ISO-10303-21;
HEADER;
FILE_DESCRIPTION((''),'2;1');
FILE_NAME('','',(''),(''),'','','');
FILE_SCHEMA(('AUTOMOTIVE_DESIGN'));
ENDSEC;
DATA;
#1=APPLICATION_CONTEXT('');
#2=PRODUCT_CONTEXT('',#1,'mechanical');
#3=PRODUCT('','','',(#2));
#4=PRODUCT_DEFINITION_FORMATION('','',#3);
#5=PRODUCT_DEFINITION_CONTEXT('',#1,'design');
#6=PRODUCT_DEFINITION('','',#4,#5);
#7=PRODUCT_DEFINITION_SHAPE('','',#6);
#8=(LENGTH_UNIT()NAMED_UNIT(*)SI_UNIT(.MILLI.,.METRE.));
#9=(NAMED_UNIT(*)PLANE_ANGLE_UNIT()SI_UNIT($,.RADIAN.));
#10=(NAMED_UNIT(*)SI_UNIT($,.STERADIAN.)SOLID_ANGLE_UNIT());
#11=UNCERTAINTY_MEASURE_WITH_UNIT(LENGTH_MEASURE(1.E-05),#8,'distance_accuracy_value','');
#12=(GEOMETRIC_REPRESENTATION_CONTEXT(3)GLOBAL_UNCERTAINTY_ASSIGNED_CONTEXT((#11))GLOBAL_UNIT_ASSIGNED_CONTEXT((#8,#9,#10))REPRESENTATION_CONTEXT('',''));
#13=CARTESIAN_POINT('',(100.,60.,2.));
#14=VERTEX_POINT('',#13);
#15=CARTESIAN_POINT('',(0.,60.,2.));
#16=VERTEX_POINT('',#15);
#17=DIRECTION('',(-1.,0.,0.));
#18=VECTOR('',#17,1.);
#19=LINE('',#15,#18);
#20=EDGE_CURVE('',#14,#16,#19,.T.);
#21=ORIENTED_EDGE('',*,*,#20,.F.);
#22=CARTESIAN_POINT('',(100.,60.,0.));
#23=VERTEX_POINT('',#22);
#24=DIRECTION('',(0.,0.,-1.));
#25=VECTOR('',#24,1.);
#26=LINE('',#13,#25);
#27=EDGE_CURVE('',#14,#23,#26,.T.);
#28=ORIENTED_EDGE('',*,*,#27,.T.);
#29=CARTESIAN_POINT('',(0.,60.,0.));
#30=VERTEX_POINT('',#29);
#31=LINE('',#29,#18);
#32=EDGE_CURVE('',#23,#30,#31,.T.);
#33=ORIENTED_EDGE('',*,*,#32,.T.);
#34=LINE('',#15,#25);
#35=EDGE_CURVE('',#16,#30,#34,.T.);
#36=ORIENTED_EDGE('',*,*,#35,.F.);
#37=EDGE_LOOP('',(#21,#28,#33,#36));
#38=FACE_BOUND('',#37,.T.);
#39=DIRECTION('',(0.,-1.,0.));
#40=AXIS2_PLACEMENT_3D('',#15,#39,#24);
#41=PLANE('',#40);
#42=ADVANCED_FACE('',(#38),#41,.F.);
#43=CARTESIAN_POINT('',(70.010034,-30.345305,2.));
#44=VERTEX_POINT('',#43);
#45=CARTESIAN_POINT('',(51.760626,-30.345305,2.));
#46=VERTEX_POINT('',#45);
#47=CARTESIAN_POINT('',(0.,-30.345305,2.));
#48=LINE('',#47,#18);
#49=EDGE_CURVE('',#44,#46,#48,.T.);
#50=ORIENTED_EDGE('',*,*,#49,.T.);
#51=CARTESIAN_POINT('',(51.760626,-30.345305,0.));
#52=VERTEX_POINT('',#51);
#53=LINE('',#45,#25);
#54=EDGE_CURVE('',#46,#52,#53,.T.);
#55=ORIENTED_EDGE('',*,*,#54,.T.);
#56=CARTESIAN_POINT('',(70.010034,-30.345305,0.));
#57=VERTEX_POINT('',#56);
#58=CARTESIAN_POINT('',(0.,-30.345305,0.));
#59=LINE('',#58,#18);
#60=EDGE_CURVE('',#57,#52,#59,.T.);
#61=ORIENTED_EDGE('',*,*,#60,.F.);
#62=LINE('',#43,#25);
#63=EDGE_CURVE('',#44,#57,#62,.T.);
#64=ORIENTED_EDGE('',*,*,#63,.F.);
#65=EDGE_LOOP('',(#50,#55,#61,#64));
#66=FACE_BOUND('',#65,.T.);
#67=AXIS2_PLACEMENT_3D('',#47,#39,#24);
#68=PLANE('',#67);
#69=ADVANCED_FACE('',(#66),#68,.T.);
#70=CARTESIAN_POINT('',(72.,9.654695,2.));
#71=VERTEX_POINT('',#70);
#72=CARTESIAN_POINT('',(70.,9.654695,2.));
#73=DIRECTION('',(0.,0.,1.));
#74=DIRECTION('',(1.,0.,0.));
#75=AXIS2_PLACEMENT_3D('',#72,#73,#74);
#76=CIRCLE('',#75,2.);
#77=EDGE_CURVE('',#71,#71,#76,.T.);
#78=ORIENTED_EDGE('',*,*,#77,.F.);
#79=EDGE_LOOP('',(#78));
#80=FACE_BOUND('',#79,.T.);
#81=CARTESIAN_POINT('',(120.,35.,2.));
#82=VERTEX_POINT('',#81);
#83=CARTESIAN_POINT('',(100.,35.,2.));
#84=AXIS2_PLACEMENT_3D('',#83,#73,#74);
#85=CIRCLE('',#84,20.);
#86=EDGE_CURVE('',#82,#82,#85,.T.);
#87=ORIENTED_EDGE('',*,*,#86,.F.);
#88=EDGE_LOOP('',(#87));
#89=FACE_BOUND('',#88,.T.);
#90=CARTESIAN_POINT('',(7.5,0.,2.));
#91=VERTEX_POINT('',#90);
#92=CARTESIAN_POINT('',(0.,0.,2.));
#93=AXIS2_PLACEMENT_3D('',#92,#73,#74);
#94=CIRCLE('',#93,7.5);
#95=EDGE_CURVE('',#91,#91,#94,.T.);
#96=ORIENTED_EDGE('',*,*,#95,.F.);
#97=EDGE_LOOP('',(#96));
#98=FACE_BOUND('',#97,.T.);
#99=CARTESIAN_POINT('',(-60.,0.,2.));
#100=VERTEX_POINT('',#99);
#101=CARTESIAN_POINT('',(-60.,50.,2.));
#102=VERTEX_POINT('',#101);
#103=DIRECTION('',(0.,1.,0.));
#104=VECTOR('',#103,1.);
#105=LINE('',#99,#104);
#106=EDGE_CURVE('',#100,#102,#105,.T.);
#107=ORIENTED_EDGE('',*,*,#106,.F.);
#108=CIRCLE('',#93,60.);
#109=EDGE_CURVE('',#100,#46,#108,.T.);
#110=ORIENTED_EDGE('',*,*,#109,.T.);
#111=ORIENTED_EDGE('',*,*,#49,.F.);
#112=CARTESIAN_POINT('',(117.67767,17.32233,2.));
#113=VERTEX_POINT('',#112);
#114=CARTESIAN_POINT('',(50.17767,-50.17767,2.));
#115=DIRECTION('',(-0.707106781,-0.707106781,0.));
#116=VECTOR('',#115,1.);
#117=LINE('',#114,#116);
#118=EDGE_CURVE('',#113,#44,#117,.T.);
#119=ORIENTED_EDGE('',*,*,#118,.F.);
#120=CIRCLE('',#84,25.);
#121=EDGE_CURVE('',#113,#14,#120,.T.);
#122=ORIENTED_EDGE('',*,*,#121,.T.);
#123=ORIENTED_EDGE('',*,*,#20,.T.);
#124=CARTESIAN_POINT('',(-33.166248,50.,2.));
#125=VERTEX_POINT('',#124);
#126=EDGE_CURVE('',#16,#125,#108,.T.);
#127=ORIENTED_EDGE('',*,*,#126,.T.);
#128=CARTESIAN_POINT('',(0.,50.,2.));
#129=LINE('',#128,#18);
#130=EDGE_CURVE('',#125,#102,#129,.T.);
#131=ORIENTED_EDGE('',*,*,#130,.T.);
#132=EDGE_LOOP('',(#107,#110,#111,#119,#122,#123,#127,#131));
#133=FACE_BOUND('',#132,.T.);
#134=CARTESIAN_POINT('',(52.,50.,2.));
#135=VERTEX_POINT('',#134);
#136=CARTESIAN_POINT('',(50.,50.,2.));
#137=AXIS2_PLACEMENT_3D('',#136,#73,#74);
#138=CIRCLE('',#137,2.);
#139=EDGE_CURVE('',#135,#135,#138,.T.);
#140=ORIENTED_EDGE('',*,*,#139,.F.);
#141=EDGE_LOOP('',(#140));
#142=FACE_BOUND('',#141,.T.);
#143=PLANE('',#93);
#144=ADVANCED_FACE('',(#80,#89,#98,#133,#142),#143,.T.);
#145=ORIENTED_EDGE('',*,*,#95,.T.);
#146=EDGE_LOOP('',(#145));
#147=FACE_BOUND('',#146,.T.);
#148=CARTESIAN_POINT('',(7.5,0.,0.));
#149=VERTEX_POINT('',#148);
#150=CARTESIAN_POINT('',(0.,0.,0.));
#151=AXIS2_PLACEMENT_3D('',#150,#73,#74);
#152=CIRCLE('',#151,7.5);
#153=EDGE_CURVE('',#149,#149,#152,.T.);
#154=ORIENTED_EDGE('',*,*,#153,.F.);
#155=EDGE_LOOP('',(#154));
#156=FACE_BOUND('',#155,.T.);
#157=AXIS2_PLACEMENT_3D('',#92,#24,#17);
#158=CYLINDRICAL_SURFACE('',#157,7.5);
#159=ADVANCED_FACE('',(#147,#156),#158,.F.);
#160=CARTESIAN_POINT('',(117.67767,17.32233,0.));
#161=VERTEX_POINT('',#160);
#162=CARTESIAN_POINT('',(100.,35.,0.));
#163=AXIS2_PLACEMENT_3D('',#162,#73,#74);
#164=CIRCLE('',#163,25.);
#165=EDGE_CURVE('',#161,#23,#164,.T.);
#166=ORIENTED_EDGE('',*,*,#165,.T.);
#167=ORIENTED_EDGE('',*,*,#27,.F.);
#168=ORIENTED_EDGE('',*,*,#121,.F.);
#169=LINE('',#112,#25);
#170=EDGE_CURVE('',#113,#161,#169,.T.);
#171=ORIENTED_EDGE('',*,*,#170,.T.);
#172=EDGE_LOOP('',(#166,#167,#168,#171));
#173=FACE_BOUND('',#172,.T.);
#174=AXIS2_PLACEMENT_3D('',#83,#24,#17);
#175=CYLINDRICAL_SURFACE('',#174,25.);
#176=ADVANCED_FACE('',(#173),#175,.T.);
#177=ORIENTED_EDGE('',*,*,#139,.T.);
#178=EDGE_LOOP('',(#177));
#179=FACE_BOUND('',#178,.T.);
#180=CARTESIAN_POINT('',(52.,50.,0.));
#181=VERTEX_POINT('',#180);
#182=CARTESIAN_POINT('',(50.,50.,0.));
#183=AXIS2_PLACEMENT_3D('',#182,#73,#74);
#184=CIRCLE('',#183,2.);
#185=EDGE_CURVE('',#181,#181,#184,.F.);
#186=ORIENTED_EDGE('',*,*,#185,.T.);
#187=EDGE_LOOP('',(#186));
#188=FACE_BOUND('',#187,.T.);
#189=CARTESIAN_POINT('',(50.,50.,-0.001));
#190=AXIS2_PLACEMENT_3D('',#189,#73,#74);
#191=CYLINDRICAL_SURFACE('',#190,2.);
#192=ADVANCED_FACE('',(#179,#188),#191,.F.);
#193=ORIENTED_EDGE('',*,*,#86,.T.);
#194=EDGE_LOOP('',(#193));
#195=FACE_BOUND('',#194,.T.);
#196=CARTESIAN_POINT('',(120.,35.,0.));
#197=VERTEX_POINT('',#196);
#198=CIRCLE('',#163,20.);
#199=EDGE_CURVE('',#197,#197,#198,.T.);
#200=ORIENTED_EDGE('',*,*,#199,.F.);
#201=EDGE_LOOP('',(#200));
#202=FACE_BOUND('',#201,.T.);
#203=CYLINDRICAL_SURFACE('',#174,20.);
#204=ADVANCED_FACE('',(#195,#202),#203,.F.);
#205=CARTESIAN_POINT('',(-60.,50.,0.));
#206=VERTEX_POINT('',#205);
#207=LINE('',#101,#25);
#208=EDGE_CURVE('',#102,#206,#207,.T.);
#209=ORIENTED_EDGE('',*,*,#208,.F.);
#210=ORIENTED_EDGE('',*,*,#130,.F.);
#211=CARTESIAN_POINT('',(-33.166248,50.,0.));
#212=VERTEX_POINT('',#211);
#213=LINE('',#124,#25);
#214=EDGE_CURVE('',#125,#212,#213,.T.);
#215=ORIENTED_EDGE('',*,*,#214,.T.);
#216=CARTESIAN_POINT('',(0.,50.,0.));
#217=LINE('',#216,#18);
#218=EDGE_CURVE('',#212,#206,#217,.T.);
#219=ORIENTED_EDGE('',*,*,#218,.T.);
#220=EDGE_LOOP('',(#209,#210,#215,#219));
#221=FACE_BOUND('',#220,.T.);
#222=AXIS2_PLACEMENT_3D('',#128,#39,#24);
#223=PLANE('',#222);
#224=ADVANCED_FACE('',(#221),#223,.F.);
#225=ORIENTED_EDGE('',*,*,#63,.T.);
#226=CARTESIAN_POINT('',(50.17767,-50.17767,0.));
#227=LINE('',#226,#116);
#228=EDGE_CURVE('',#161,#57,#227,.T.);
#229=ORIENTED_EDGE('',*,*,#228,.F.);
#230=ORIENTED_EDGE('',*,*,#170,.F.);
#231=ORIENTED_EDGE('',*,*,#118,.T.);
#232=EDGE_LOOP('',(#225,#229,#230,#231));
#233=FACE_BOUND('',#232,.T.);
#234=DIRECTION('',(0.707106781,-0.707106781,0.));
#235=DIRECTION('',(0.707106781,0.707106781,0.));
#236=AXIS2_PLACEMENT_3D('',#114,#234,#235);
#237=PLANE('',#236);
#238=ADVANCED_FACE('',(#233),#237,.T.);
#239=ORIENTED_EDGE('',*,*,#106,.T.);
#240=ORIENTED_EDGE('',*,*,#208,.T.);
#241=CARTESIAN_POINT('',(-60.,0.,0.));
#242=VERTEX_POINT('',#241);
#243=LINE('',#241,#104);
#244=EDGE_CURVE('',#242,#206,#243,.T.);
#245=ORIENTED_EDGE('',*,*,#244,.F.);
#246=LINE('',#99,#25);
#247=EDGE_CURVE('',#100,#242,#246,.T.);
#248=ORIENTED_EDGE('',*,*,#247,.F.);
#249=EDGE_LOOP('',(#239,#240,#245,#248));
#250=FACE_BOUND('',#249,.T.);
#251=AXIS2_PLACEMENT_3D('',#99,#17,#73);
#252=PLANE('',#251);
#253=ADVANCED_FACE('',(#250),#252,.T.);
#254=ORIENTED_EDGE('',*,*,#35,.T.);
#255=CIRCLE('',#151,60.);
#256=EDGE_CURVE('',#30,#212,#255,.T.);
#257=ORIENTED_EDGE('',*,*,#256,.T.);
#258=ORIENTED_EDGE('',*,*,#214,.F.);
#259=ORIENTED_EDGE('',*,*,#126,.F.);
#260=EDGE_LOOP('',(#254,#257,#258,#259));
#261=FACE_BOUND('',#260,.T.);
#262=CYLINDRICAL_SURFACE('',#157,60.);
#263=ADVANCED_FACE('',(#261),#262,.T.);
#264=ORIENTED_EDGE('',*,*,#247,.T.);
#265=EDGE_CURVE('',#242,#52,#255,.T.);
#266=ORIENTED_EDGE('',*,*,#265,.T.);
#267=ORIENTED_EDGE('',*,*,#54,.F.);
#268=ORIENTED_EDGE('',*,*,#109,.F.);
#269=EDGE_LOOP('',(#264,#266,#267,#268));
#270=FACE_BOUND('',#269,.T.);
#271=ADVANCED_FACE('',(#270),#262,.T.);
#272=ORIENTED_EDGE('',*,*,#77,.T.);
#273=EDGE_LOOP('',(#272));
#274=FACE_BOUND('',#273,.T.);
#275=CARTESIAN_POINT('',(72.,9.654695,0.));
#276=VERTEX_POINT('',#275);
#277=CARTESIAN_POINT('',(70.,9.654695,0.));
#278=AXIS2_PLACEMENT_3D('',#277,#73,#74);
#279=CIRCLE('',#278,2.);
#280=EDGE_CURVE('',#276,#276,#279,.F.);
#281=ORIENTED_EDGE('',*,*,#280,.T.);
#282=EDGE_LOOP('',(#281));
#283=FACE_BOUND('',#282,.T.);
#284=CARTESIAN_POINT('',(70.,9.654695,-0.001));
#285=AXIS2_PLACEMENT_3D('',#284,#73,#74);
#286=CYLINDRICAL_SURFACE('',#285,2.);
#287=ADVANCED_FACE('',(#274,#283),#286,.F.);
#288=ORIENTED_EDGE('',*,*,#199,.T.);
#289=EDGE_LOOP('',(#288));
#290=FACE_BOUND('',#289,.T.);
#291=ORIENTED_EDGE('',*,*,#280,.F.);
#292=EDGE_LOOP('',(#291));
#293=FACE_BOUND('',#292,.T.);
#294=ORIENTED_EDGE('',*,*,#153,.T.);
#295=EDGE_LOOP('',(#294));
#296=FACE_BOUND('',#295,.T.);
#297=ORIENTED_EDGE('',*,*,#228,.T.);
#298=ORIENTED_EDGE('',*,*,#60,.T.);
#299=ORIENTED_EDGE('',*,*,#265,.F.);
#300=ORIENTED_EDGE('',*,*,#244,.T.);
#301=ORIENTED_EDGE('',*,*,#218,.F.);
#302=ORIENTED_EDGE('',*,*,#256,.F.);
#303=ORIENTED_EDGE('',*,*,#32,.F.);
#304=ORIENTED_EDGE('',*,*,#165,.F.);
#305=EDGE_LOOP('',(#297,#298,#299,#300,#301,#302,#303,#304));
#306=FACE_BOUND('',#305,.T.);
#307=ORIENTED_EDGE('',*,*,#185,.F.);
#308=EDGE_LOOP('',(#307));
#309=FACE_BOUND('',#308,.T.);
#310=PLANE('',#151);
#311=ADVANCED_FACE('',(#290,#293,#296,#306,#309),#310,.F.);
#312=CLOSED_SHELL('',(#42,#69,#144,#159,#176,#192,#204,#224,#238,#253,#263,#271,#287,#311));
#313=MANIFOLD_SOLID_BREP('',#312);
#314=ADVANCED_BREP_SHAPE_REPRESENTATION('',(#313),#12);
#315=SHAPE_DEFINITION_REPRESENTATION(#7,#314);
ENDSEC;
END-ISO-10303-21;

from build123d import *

# Parameters (mm, degrees)
SKETCH1_R           = 20
SKETCH1_R_2         = 7.5
BOSS_EXTRUDE1_DEPTH = 2
CUT_EXTRUDE1_REACH  = 140.669
SKETCH3_R           = 2


with BuildPart() as part:
    # Sketch1 → Boss-Extrude1 (new body)
    # profile 1 of 2: a face of its own
    with BuildSketch(Plane.XY):
        with BuildLine():
            ThreePointArc((-60, 0), (-52.867640737, 28.372743309), (-33.166247904, 50))
            Line((-33.166247904, 50), (-60, 50))
            Line((-60, 50), (-60, 0))
        make_face()
    # profile 2 of 2: a face of its own
    with BuildSketch(Plane.XY):
        with BuildLine():
            Line((117.67766953, 17.32233047), (70.010033914, -30.345305145))
            Line((70.010033914, -30.345305145), (51.7606265, -30.345305145))
            ThreePointArc((51.7606265, -30.345305145), (-52.061109807, -29.826847732), (0, 60))
            Line((0, 60), (100, 60))
            ThreePointArc((100, 60), (123.096988313, 44.567085809), (117.67766953, 17.32233047))
        make_face()
        with Locations((100, 35)):
            Circle(SKETCH1_R, mode=Mode.SUBTRACT)
        Circle(SKETCH1_R_2, mode=Mode.SUBTRACT)
    extrude(amount=BOSS_EXTRUDE1_DEPTH)

    # Sketch3 → Cut-Extrude1 (cut, up to next)
    with BuildSketch(Plane.XY.offset(2), mode=Mode.PRIVATE) as cut_extrude1_sk1:
        with Locations((50, 50)):
            Circle(SKETCH3_R)
    cut_extrude1_tool1 = extrude(cut_extrude1_sk1.sketch, amount=-CUT_EXTRUDE1_REACH, mode=Mode.PRIVATE) & part.part
    # Sketch3 → Cut-Extrude1 (cut, up to next)
    with BuildSketch(Plane.XY.offset(2), mode=Mode.PRIVATE) as cut_extrude1_sk2:
        with Locations((70, 9.654694855)):
            Circle(SKETCH3_R)
    cut_extrude1_tool2 = extrude(cut_extrude1_sk2.sketch, amount=-CUT_EXTRUDE1_REACH, mode=Mode.PRIVATE) & part.part
    add(cut_extrude1_tool1.solids().sort_by_distance((50, 50, 2))[0], mode=Mode.SUBTRACT)
    add(cut_extrude1_tool2.solids().sort_by_distance((70, 9.654695, 2))[0], mode=Mode.SUBTRACT)


solid = part.part
